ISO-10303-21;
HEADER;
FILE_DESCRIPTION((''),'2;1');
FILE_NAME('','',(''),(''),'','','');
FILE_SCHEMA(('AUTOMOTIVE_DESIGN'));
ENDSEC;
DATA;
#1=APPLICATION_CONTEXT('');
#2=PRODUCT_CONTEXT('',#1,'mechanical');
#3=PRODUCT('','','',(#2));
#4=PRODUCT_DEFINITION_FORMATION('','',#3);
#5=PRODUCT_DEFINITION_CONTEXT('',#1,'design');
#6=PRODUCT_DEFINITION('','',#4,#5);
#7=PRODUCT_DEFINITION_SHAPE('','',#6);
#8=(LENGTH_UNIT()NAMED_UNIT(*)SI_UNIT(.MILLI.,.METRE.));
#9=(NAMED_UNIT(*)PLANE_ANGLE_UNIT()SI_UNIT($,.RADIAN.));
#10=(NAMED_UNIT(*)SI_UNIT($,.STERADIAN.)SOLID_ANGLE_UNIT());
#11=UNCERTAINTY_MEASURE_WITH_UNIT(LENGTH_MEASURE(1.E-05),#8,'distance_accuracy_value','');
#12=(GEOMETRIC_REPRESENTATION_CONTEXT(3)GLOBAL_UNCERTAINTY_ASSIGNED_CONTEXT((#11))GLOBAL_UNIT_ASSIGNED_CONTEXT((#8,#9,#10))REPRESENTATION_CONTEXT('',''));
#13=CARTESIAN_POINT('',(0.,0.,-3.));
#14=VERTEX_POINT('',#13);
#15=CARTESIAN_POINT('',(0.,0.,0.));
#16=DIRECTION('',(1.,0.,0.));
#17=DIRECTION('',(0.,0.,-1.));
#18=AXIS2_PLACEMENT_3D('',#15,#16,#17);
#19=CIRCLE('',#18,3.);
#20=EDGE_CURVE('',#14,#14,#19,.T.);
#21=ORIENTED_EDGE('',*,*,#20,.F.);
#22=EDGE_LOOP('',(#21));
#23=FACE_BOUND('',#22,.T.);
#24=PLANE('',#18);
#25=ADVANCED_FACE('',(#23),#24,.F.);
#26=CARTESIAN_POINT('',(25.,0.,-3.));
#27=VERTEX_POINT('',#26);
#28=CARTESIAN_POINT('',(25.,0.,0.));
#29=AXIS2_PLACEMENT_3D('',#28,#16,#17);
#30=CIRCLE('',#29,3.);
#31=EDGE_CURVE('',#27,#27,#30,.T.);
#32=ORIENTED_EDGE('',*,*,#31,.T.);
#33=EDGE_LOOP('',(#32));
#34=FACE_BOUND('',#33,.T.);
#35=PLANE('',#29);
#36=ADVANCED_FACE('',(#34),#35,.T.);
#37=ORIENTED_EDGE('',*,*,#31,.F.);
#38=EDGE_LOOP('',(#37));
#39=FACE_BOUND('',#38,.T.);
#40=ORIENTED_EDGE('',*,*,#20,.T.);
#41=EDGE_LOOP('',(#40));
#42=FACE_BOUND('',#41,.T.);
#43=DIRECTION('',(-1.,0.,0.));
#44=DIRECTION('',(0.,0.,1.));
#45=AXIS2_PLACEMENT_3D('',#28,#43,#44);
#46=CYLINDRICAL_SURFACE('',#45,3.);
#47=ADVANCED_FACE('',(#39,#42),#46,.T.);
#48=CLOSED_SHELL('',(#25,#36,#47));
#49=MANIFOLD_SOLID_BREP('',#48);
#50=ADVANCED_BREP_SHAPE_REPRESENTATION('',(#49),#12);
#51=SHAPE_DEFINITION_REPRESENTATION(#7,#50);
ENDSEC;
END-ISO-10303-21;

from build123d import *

# Parameters (mm, degrees)
CROQUIS1_R              = 3
SALIENTE_EXTRUIR1_DEPTH = 25


with BuildPart() as part:
    # Croquis1 → Saliente-Extruir1 (new body)
    with BuildSketch(Plane(origin=(0, 0, 0), x_dir=(0, 0, -1), z_dir=(1, 0, 0))):
        Circle(CROQUIS1_R)
    extrude(amount=SALIENTE_EXTRUIR1_DEPTH)


solid = part.part
